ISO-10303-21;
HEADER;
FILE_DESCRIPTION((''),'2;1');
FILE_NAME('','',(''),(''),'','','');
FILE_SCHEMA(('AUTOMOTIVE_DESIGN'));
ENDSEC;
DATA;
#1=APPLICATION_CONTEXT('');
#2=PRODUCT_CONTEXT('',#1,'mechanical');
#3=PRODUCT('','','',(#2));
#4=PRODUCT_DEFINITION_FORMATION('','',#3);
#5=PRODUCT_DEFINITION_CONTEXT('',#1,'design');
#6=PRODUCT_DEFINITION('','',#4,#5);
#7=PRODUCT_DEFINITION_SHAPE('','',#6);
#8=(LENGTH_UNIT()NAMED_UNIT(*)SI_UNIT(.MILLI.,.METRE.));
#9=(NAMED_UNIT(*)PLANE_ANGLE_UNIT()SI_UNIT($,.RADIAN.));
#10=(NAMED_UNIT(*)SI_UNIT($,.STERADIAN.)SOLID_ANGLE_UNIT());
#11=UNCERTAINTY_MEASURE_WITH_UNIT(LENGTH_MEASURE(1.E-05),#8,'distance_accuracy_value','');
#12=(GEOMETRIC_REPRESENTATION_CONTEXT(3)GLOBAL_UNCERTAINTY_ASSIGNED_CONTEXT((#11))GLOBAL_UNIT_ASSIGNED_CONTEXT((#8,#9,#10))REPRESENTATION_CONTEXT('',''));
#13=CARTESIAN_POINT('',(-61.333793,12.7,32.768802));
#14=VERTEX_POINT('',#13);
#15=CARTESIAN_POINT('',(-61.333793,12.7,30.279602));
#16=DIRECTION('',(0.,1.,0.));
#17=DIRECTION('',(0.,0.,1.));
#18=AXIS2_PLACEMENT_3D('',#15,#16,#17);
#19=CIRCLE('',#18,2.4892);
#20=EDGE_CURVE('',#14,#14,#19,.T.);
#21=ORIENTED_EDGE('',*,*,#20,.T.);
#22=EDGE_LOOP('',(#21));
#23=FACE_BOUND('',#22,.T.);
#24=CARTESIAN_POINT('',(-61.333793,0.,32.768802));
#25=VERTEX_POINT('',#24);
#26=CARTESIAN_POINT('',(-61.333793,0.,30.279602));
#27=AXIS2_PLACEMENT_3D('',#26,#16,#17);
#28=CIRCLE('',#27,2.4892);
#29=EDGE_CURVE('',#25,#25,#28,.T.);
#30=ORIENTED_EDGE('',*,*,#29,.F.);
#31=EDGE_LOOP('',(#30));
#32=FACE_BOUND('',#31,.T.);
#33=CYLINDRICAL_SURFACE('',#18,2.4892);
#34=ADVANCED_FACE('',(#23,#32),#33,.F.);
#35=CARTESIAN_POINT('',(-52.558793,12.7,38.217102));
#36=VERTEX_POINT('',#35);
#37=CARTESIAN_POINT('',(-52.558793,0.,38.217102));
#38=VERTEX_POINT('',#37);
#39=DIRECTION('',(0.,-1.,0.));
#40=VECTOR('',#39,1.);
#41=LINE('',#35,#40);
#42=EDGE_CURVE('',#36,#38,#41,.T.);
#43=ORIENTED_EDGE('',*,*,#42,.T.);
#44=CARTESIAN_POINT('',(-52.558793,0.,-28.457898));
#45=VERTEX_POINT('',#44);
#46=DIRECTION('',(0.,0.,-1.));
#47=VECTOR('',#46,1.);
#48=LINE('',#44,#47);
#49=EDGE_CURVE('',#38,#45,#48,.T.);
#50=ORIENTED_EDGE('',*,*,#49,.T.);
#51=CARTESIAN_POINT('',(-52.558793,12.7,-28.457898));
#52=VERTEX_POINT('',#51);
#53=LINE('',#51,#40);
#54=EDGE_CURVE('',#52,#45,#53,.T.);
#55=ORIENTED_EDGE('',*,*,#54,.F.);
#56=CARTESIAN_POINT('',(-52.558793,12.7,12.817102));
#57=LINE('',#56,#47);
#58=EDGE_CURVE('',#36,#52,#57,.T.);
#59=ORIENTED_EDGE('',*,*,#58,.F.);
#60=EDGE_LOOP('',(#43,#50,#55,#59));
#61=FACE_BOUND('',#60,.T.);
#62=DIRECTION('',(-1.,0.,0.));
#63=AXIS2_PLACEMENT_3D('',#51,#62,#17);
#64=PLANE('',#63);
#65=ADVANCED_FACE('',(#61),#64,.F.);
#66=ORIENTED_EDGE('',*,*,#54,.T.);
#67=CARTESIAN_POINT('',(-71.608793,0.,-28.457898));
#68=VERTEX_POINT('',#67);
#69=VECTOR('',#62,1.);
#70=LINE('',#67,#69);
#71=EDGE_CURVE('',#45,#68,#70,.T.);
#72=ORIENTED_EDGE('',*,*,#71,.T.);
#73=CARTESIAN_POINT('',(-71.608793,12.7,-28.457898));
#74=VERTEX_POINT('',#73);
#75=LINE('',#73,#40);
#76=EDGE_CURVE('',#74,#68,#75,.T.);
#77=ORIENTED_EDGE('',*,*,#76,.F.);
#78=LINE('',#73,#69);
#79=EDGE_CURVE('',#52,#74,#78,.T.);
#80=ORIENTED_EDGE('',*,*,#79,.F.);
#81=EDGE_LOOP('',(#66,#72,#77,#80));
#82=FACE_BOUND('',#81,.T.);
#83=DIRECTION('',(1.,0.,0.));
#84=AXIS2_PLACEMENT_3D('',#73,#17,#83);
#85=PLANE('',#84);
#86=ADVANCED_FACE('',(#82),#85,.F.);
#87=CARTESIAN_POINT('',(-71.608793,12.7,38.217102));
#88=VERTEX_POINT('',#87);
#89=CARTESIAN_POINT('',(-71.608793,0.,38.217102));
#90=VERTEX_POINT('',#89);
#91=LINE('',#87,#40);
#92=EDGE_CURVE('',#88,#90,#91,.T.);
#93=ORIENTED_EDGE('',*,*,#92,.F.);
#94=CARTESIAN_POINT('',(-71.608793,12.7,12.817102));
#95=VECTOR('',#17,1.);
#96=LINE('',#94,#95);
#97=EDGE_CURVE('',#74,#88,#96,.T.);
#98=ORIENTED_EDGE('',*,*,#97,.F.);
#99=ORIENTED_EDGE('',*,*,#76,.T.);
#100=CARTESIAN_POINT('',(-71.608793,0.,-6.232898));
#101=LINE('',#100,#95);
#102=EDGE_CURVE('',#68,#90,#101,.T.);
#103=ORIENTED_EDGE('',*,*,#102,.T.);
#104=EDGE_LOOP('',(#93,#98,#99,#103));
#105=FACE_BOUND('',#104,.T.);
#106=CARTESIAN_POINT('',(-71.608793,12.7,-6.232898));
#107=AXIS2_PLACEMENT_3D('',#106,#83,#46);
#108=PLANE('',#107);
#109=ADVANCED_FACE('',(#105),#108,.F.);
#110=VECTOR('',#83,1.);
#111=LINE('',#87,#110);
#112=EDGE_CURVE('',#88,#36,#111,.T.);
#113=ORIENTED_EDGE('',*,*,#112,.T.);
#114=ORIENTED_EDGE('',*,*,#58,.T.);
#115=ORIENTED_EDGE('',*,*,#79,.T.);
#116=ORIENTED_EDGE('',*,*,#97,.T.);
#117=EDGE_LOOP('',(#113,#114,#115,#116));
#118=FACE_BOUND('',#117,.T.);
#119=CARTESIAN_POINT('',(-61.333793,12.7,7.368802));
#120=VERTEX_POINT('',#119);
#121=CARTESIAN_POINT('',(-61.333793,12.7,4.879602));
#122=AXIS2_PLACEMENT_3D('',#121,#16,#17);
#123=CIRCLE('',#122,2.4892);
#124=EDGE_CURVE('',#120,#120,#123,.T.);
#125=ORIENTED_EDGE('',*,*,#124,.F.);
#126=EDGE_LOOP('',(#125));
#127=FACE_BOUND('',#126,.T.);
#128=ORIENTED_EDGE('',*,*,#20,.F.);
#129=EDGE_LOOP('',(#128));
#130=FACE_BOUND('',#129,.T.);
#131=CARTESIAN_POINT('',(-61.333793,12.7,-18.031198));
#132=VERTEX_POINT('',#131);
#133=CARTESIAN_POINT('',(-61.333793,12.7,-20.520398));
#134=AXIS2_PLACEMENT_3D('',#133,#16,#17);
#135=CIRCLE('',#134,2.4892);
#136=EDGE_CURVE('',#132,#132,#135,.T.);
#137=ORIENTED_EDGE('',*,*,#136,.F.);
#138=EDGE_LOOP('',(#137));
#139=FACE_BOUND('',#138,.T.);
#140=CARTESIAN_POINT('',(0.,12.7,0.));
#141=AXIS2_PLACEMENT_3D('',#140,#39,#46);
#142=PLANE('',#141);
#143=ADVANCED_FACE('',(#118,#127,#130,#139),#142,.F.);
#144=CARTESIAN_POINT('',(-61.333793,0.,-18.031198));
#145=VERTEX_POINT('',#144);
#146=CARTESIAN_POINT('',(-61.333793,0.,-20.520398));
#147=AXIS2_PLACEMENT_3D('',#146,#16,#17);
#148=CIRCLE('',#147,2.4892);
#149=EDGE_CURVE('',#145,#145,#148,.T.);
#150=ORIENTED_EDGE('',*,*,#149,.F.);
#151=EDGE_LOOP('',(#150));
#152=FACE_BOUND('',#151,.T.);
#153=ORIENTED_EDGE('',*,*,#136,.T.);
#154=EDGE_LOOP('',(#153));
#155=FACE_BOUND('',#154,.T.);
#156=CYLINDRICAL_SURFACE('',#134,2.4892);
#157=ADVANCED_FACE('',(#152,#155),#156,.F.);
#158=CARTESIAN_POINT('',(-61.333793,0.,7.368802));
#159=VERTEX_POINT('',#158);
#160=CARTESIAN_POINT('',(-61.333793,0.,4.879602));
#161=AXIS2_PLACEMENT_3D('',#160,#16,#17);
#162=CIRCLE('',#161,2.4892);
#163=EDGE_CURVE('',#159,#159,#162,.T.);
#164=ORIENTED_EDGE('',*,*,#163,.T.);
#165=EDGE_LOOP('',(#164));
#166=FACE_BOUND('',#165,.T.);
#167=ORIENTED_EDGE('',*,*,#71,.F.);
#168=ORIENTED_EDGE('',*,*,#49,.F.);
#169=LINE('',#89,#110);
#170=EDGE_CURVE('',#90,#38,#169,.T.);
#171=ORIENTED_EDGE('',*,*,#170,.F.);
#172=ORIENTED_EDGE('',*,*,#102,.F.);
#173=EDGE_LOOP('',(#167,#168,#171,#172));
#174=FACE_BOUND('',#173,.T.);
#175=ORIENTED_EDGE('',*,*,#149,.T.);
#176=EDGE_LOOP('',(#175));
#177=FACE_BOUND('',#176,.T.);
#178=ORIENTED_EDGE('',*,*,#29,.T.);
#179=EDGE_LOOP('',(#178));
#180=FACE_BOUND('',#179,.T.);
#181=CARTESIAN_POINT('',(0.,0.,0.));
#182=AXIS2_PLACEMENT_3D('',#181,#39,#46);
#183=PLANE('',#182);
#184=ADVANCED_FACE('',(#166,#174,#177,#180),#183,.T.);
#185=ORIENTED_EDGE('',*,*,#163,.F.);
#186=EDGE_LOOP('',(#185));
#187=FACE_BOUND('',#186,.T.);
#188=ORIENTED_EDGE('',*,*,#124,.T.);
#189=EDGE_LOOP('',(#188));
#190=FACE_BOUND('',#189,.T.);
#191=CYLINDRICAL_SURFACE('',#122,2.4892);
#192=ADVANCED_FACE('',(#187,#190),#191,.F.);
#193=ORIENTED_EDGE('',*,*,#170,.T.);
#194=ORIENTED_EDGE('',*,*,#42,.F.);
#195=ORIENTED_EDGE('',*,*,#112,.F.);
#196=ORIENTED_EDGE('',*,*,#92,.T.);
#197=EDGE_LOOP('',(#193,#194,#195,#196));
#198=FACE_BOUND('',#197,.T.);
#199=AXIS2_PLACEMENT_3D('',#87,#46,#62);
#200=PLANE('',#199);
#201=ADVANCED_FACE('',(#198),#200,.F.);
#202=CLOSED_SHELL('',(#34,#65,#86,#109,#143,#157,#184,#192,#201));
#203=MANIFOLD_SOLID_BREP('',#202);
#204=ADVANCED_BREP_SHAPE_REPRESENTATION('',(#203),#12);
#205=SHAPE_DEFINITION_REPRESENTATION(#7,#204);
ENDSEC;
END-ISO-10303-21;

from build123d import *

# Parameters (mm, degrees)
BOSS_EXTRUDE1_DEPTH    = 12.7
F_10_CLEARANCE_HOLE1_D = 4.9784


with BuildPart() as part:
    # Sketch4 → Boss-Extrude1 (new body)
    with BuildSketch(Plane(origin=(0, 0, 0), x_dir=(1, 0, 0), z_dir=(0, 1, 0))):
        Polygon((-71.608792588, 6.232898137), (-71.608792588, 28.457898137), (-52.558792588, 28.457898137), (-52.558792588, -12.817101863), (-52.558792588, -38.217101863), (-71.608792588, -38.217101863), (-71.608792588, -12.817101863), align=None)
    extrude(amount=BOSS_EXTRUDE1_DEPTH)

    # #10 Clearance Hole1 (through all)
    with Locations(Plane(origin=(0, 12.7, 0), x_dir=(1, 0, 0), z_dir=(0, 1, 0))):
        with Locations((-61.333792588, 20.520398137), (-61.333792588, -4.879601863), (-61.333792588, -30.279601863)):
            Hole(F_10_CLEARANCE_HOLE1_D / 2)


solid = part.part
